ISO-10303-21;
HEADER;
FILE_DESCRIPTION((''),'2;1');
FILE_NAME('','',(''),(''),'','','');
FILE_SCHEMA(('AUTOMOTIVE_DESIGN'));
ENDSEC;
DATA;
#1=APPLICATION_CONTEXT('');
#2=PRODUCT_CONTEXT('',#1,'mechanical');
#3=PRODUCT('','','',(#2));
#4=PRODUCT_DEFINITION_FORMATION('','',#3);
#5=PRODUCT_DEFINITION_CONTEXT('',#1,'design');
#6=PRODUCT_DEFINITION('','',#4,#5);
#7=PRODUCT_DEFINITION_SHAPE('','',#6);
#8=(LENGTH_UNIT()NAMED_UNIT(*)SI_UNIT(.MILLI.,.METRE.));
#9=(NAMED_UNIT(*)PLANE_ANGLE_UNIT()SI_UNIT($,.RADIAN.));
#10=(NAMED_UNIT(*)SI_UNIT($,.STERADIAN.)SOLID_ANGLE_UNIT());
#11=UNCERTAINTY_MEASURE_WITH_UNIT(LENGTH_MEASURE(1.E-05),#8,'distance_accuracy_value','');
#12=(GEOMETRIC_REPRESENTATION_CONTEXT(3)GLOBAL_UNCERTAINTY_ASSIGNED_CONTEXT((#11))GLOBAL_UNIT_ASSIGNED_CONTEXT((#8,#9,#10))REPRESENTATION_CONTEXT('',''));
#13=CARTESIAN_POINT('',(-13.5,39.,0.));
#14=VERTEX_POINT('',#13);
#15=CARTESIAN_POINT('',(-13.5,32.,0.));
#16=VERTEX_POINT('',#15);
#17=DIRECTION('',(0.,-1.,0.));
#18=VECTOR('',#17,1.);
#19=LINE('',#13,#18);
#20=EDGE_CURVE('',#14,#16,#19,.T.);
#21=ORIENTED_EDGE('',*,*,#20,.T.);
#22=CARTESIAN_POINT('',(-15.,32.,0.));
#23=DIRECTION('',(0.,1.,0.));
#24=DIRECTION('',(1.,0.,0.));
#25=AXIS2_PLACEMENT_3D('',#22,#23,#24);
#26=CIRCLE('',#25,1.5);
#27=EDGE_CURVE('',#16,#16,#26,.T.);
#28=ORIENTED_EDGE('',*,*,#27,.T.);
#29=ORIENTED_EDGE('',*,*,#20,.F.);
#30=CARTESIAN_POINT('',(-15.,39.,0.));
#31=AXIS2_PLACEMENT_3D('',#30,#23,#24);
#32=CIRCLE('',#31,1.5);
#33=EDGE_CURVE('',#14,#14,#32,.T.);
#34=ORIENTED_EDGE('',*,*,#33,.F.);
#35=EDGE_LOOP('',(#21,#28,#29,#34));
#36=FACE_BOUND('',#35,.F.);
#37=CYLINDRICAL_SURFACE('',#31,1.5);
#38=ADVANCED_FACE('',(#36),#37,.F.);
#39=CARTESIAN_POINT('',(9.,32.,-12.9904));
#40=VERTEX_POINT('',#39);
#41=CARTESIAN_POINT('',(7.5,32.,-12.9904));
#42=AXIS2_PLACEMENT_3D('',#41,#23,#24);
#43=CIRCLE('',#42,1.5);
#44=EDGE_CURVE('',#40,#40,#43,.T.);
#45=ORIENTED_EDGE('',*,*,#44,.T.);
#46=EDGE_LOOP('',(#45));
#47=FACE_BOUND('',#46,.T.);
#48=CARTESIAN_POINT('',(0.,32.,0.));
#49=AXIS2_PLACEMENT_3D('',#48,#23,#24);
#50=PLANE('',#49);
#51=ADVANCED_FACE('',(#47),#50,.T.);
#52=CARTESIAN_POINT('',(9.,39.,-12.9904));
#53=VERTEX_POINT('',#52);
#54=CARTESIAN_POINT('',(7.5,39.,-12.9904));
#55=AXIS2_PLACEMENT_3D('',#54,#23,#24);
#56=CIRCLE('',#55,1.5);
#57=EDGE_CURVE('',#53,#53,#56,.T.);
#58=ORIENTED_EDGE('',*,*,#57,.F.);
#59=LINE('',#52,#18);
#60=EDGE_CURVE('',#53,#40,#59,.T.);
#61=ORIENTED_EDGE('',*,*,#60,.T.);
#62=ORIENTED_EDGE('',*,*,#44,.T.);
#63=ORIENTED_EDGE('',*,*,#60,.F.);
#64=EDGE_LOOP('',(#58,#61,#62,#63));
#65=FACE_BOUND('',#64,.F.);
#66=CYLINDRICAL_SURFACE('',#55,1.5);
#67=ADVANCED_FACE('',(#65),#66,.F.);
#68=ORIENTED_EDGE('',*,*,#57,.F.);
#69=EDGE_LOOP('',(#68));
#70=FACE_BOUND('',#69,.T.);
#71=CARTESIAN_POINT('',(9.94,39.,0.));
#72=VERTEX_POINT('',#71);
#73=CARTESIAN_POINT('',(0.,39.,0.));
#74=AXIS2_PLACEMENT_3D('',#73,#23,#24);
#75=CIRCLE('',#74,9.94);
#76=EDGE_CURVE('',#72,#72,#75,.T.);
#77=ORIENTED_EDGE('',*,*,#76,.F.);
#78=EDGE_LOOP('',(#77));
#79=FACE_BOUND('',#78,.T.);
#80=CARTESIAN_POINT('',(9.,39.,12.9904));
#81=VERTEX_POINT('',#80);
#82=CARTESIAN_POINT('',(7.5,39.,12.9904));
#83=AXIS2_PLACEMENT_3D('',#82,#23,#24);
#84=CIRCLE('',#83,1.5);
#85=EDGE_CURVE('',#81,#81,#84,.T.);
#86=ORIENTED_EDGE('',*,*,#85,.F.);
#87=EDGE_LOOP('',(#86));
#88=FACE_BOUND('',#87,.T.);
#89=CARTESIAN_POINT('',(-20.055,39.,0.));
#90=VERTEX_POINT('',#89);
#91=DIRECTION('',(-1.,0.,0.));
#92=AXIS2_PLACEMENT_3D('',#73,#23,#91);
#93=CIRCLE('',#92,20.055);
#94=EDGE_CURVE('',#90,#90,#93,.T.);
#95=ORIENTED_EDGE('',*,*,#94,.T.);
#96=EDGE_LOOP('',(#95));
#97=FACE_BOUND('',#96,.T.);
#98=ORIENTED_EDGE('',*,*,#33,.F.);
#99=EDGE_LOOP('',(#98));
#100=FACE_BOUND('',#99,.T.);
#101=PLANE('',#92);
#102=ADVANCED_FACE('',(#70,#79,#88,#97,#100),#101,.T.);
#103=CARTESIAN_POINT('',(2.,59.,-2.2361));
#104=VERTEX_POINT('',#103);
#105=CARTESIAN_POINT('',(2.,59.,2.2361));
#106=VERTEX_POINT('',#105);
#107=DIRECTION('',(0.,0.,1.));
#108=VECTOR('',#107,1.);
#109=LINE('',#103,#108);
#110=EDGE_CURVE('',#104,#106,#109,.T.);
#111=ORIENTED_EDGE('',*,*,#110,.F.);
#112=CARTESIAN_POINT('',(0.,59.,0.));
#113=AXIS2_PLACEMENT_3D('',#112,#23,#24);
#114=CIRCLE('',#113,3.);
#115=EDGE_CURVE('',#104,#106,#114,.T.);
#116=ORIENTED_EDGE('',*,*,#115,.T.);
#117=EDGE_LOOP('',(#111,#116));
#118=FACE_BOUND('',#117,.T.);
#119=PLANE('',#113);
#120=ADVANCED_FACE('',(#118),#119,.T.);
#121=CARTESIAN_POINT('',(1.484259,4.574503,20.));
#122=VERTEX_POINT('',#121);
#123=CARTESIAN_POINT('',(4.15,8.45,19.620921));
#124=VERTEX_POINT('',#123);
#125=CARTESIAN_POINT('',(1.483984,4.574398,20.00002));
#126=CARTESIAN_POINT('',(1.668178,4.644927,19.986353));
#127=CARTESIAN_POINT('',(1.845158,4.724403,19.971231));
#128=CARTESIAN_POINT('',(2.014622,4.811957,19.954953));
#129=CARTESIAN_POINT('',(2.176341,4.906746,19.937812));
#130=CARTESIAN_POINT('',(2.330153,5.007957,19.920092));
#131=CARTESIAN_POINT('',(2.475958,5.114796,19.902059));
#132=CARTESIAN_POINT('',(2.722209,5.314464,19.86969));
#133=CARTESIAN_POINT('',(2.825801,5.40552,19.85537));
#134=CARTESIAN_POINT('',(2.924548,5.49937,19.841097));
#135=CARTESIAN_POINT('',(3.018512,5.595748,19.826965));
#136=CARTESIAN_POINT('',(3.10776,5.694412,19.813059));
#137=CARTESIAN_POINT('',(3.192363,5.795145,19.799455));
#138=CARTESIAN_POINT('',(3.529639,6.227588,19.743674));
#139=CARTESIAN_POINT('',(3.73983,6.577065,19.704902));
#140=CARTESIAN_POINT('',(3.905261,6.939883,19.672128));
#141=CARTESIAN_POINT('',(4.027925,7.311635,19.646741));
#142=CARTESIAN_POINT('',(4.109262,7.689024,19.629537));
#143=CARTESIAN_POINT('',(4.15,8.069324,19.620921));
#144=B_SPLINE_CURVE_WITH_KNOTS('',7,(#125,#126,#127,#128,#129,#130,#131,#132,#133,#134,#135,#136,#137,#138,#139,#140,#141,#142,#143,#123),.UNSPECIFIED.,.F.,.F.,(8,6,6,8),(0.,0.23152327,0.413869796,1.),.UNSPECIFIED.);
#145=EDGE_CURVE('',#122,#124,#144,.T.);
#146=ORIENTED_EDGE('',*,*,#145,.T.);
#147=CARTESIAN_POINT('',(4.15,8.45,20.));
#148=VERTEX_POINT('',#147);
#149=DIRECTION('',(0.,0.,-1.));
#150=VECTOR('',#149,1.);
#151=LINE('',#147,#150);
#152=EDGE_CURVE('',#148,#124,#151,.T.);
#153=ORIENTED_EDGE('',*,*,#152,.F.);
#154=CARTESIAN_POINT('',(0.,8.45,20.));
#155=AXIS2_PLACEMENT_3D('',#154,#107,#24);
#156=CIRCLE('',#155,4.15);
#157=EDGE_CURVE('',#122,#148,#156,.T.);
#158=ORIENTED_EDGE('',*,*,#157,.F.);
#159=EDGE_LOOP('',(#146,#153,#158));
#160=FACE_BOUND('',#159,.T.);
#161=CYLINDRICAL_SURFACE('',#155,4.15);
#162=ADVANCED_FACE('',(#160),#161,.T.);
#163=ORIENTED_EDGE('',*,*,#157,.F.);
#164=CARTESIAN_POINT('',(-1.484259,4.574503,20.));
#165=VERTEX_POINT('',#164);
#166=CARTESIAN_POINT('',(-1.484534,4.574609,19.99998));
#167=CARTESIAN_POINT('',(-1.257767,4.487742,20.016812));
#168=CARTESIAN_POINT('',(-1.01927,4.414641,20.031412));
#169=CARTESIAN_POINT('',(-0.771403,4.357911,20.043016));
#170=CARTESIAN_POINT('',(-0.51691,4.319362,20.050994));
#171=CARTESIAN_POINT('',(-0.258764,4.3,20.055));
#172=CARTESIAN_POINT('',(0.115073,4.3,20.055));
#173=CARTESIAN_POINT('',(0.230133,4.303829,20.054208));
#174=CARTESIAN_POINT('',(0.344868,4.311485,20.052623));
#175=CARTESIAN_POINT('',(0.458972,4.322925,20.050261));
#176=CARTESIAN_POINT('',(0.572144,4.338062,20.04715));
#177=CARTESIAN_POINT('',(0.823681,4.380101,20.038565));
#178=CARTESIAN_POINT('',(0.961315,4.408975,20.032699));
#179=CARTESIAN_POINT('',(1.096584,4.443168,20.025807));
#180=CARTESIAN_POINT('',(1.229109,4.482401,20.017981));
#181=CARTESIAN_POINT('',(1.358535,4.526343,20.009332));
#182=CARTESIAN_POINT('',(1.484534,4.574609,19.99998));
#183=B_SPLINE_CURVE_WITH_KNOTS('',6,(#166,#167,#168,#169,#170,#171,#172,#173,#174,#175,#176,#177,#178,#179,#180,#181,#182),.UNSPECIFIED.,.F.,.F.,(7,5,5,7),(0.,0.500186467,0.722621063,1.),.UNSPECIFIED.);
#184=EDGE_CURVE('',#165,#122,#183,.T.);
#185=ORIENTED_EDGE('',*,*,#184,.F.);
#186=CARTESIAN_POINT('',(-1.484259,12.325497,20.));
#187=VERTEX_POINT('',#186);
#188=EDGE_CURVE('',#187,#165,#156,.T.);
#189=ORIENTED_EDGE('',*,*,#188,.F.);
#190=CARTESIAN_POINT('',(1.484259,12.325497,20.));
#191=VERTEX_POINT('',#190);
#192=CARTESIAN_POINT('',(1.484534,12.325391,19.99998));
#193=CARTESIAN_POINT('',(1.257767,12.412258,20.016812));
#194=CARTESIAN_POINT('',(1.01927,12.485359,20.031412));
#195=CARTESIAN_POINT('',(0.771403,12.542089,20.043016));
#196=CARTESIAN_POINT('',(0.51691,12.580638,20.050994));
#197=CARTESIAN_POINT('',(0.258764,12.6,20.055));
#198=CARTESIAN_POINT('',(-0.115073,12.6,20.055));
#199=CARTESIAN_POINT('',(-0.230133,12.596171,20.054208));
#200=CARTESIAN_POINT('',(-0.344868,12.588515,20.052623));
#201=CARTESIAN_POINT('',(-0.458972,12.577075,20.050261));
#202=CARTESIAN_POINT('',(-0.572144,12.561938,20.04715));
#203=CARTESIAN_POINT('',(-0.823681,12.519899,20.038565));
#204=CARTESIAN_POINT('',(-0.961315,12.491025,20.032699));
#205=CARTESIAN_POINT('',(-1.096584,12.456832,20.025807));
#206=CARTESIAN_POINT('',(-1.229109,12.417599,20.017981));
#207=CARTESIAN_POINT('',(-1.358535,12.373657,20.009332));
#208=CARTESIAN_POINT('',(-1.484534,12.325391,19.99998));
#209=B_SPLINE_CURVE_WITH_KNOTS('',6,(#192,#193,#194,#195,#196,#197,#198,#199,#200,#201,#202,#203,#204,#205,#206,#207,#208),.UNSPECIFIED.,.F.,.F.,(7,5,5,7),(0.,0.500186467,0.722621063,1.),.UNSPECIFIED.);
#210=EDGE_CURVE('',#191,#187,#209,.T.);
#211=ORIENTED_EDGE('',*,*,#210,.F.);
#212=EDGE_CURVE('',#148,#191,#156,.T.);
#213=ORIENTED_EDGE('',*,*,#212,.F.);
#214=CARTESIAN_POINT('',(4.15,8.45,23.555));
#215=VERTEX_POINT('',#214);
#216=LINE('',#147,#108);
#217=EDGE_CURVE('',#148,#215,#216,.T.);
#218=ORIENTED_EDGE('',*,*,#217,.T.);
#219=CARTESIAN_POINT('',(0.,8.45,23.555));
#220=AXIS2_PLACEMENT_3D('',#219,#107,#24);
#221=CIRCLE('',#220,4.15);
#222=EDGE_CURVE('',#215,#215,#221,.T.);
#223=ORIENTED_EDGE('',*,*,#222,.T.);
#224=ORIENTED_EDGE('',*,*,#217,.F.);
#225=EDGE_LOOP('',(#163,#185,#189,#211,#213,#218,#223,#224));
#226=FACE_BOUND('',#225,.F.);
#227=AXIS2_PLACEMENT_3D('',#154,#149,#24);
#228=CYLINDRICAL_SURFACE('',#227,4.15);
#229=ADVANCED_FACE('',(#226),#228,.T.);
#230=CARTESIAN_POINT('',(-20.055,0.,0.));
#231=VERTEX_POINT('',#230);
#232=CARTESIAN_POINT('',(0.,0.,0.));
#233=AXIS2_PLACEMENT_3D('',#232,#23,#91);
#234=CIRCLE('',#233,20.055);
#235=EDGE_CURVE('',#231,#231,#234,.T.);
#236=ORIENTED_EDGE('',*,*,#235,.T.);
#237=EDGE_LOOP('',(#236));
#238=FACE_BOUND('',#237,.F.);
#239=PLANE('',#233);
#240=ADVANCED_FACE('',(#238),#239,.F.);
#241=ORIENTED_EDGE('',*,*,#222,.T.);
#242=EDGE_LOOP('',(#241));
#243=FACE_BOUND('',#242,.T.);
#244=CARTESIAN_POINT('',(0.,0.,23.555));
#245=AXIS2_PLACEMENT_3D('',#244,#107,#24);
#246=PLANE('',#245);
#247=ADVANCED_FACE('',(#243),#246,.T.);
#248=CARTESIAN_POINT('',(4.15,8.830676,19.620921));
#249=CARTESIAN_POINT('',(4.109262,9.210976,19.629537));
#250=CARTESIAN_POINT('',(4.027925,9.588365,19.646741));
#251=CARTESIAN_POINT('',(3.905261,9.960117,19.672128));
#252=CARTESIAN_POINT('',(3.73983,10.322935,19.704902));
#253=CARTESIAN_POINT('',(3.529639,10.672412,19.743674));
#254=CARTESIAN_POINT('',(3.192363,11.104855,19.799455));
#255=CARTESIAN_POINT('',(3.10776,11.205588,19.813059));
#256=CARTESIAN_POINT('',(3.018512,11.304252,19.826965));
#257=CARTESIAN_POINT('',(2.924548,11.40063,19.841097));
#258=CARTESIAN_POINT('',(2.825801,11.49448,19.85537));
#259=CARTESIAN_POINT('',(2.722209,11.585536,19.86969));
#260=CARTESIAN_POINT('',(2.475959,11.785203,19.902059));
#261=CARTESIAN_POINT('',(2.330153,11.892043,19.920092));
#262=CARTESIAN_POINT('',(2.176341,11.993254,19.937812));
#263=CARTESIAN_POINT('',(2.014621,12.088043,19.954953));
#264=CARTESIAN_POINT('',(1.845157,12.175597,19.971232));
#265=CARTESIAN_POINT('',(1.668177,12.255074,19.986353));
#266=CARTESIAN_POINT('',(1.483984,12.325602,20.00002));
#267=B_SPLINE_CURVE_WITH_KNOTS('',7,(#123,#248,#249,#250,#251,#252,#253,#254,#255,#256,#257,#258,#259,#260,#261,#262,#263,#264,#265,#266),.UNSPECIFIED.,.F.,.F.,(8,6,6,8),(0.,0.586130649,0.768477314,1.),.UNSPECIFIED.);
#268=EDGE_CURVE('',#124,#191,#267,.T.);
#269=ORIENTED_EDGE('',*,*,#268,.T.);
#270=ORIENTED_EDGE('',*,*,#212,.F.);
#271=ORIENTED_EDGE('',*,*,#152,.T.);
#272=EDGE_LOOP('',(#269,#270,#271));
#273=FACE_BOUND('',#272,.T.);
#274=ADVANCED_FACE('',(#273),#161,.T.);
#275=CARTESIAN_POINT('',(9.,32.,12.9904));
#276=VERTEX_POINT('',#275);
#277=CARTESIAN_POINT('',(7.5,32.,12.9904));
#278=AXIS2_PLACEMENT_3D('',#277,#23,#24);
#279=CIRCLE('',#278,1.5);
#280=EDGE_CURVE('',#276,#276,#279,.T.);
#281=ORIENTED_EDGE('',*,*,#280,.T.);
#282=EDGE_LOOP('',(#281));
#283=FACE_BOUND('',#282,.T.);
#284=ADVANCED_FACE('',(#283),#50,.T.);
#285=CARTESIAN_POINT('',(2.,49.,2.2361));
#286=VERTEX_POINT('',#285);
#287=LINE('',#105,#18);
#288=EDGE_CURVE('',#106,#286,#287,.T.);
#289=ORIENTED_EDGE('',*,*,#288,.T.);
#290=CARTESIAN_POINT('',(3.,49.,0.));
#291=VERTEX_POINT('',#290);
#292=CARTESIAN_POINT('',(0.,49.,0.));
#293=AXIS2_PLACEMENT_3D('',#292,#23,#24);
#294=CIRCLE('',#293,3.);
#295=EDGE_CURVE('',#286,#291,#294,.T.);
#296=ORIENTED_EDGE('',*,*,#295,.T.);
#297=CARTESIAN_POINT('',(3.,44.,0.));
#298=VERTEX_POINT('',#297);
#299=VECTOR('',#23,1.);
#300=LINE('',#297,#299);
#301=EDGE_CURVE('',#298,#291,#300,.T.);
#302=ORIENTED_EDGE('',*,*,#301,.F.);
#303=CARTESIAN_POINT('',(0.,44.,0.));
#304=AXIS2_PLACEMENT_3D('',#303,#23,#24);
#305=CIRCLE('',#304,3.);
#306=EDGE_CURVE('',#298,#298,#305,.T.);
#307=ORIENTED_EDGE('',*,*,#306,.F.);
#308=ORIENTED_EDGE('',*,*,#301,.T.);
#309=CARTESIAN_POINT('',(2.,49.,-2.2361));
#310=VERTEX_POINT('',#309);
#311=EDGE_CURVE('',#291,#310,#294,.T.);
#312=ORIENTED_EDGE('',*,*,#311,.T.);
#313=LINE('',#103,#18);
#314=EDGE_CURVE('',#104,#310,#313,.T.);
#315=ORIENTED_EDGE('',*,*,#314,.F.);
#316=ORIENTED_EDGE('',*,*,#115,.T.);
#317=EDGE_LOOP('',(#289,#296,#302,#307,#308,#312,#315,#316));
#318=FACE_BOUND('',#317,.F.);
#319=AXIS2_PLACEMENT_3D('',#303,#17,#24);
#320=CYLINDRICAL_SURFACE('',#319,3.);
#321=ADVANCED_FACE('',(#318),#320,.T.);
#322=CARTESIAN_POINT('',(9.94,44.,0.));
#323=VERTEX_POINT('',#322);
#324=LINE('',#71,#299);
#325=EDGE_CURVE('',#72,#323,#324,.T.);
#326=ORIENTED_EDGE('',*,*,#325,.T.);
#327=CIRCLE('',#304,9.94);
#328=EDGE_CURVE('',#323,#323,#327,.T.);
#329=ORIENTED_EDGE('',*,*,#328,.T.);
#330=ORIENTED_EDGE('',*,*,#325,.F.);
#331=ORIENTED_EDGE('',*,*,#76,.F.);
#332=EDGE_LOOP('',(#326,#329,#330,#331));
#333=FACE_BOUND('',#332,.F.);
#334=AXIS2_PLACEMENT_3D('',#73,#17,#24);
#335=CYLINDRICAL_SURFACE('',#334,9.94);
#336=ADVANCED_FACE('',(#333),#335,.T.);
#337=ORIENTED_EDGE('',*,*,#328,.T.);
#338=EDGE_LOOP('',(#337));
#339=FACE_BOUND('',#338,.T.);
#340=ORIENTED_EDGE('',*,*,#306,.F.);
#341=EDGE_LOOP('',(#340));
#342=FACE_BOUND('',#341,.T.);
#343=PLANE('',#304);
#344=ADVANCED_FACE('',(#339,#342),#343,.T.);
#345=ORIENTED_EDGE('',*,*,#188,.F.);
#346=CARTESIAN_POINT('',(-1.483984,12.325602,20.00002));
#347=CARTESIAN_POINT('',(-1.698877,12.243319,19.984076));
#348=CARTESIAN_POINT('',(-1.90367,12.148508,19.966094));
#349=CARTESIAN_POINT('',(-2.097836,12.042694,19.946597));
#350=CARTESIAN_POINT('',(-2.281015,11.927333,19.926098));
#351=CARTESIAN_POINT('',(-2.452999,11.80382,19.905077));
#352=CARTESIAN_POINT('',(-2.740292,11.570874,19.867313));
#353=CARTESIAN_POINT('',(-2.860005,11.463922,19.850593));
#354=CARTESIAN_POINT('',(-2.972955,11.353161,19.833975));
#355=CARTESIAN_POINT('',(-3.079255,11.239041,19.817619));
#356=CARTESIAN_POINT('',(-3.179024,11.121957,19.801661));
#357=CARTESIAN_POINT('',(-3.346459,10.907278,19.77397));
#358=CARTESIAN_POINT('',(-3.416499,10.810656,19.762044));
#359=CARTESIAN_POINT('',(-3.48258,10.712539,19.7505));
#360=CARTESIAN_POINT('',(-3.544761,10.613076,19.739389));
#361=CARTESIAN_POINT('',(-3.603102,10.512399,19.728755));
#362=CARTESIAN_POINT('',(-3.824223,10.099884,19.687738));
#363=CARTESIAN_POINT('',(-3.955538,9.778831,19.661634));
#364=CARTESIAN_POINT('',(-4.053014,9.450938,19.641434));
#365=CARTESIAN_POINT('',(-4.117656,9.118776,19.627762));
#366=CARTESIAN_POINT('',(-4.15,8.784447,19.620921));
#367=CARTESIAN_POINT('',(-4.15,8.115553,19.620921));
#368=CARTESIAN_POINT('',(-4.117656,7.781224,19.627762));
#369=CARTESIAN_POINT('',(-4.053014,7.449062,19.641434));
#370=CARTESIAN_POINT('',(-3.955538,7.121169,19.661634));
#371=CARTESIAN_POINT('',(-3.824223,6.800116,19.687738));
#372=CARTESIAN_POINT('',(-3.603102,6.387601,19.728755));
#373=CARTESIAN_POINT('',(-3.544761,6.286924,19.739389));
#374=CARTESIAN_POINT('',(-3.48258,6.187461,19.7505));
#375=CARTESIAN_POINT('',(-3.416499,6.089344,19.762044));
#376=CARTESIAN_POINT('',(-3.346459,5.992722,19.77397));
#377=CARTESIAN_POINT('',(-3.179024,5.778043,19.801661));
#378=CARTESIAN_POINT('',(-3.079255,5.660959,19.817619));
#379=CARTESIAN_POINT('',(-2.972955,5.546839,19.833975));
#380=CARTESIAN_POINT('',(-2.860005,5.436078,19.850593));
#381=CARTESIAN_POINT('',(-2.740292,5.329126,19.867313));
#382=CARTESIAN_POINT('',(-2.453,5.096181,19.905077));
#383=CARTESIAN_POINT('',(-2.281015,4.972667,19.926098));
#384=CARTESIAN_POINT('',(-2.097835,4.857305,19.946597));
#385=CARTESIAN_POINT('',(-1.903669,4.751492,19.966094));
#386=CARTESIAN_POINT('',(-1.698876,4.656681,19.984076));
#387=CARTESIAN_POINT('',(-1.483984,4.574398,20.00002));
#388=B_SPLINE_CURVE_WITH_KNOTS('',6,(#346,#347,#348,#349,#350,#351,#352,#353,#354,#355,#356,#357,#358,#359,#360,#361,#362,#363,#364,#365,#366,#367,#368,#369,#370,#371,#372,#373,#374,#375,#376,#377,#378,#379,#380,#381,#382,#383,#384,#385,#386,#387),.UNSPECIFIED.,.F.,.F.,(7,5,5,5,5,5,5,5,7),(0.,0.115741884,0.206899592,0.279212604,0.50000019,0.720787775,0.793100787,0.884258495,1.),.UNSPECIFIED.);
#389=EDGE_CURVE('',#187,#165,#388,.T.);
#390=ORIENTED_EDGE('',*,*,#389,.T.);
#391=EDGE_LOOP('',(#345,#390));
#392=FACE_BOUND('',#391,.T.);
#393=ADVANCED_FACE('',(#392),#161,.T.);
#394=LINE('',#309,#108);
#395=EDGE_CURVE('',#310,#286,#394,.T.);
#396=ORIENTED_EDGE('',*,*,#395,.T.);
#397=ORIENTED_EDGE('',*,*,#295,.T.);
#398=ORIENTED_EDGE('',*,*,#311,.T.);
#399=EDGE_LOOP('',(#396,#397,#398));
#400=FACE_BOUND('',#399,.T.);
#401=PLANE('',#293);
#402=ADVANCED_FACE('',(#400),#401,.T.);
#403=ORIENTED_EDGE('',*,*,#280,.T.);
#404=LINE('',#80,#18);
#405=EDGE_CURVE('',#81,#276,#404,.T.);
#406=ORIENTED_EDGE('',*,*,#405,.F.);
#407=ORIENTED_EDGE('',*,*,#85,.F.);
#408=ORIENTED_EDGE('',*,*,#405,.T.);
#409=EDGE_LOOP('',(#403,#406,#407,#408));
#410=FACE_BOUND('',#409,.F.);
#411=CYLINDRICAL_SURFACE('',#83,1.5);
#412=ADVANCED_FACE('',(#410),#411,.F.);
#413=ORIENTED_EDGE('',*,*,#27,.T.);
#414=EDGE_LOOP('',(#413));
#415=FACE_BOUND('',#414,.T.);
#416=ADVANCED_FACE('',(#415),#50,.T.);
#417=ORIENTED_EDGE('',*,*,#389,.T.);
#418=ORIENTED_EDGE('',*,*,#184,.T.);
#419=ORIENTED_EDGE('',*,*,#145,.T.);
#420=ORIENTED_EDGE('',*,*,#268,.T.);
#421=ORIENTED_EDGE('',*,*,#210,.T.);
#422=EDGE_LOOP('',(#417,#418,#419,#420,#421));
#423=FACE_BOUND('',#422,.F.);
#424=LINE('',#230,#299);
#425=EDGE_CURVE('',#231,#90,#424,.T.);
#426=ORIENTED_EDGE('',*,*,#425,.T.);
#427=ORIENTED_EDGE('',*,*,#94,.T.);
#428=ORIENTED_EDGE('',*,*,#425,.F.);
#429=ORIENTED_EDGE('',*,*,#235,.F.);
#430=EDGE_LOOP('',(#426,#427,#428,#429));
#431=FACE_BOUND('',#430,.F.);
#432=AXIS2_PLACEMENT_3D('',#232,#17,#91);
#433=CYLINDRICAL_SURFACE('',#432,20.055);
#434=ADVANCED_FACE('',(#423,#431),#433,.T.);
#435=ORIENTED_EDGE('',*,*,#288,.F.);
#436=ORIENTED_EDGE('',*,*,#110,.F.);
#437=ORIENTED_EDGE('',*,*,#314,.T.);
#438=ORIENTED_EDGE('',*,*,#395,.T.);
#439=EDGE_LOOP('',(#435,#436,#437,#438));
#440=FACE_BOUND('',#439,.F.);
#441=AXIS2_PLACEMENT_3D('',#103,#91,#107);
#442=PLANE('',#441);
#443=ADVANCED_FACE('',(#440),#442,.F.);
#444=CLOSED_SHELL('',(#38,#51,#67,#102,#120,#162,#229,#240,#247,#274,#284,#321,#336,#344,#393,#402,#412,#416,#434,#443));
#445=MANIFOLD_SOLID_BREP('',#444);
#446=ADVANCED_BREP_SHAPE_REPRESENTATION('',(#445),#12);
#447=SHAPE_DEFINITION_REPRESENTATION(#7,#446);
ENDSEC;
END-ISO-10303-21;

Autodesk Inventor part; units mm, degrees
ref_plane "YZ Plane" through (0, 0, 0) normal (1, 0, 0) x (0, 1, 0)
ref_plane "XZ Plane" through (0, 0, 0) normal (0, 1, 0) x (-1, 0, 0)
sketch "草圖1" plane through (0, 0, 0) normal (0, 1, 0) x (-1, 0, 0)
  circle A0 centre (0, 0) radius 20.055
  dimension "d0" = 40.11
extrude "擠出1" add sketch "草圖1" along normal blind 39
sketch "草圖2" plane through (0, 39, 0) normal (0, 1, 0) x (1, 0, 0)
  circle A0 centre (0, 0) radius 9.94
  dimension "d3" = 19.88
extrude "擠出2" add sketch "草圖2" along normal blind 5
sketch "草圖3" plane through (0, 44, 0) normal (0, 1, 0) x (1, 0, 0)
  circle A0 centre (0, 0) radius 3
  dimension "d6" = 6
extrude "擠出3" add sketch "草圖3" along normal blind 15
sketch "草圖4" plane through (0, 59, 0) normal (0, 1, 0) x (1, 0, 0)
  circle A0 centre (0, 0) radius 3 projected
  line L0 (-16.4783, -20) -> (15.8218, -20) construction
  line L1 (2, 2.2361) -> (2, -2.2361)
  arc A1 (2, -2.2361) -> (2, 2.2361) centre (0, 0) ccw
  point P0 (-3, 0)
  dimension "d9" = 20
  dimension "d10" = 20
  dimension "d11" = 5
extrude "擠出4" cut sketch "草圖4" against normal blind 10 contours A0 L1 picked at (2.1409, -0.5898)
ref_plane "工作平面2" through (0, 0, 20) normal (0, 0, 1) x (1, 0, 0)
sketch "草圖5" plane through (0, 0, 20) normal (0, 0, 1) x (1, 0, 0)
  circle A0 centre (0, 8.45) radius 4.15
  point P0 (0, 0)
  dimension "d16" = 8.3
  dimension "d17" = 8.45
extrude "擠出5" add sketch "草圖5" along normal mid plane 7.11
sketch "草圖6" plane through (0, 39, 0) normal (0, 1, 0) x (1, 0, 0)
  circle A0 centre (-15, 0) radius 1.5
  circle A1 centre (7.5, -12.9904) radius 1.5
  circle A2 centre (7.5, 12.9904) radius 1.5
  line L0 (0, 0) -> (7.5, -12.9904) construction
  arc A3 (2, 2.2361) -> (2, -2.2361) centre (0, 0) ccw projected
  line L1 (0, 0) -> (7.5, 12.9904) construction
  line L2 (0, 0) -> (-20.055, 0) construction
  circle A4 centre (0, 0) radius 20.055 projected
  dimension "d20" = 120
  dimension "d21" = 120
  dimension "d22" = 3
  dimension "d23" = 15
  dimension "d24" = 15
  dimension "d25" = 15
extrude "擠出6" cut sketch "草圖6" against normal blind 7 contours A0 | A1 | A2
properties part number "E6B2-CWZ6C"
